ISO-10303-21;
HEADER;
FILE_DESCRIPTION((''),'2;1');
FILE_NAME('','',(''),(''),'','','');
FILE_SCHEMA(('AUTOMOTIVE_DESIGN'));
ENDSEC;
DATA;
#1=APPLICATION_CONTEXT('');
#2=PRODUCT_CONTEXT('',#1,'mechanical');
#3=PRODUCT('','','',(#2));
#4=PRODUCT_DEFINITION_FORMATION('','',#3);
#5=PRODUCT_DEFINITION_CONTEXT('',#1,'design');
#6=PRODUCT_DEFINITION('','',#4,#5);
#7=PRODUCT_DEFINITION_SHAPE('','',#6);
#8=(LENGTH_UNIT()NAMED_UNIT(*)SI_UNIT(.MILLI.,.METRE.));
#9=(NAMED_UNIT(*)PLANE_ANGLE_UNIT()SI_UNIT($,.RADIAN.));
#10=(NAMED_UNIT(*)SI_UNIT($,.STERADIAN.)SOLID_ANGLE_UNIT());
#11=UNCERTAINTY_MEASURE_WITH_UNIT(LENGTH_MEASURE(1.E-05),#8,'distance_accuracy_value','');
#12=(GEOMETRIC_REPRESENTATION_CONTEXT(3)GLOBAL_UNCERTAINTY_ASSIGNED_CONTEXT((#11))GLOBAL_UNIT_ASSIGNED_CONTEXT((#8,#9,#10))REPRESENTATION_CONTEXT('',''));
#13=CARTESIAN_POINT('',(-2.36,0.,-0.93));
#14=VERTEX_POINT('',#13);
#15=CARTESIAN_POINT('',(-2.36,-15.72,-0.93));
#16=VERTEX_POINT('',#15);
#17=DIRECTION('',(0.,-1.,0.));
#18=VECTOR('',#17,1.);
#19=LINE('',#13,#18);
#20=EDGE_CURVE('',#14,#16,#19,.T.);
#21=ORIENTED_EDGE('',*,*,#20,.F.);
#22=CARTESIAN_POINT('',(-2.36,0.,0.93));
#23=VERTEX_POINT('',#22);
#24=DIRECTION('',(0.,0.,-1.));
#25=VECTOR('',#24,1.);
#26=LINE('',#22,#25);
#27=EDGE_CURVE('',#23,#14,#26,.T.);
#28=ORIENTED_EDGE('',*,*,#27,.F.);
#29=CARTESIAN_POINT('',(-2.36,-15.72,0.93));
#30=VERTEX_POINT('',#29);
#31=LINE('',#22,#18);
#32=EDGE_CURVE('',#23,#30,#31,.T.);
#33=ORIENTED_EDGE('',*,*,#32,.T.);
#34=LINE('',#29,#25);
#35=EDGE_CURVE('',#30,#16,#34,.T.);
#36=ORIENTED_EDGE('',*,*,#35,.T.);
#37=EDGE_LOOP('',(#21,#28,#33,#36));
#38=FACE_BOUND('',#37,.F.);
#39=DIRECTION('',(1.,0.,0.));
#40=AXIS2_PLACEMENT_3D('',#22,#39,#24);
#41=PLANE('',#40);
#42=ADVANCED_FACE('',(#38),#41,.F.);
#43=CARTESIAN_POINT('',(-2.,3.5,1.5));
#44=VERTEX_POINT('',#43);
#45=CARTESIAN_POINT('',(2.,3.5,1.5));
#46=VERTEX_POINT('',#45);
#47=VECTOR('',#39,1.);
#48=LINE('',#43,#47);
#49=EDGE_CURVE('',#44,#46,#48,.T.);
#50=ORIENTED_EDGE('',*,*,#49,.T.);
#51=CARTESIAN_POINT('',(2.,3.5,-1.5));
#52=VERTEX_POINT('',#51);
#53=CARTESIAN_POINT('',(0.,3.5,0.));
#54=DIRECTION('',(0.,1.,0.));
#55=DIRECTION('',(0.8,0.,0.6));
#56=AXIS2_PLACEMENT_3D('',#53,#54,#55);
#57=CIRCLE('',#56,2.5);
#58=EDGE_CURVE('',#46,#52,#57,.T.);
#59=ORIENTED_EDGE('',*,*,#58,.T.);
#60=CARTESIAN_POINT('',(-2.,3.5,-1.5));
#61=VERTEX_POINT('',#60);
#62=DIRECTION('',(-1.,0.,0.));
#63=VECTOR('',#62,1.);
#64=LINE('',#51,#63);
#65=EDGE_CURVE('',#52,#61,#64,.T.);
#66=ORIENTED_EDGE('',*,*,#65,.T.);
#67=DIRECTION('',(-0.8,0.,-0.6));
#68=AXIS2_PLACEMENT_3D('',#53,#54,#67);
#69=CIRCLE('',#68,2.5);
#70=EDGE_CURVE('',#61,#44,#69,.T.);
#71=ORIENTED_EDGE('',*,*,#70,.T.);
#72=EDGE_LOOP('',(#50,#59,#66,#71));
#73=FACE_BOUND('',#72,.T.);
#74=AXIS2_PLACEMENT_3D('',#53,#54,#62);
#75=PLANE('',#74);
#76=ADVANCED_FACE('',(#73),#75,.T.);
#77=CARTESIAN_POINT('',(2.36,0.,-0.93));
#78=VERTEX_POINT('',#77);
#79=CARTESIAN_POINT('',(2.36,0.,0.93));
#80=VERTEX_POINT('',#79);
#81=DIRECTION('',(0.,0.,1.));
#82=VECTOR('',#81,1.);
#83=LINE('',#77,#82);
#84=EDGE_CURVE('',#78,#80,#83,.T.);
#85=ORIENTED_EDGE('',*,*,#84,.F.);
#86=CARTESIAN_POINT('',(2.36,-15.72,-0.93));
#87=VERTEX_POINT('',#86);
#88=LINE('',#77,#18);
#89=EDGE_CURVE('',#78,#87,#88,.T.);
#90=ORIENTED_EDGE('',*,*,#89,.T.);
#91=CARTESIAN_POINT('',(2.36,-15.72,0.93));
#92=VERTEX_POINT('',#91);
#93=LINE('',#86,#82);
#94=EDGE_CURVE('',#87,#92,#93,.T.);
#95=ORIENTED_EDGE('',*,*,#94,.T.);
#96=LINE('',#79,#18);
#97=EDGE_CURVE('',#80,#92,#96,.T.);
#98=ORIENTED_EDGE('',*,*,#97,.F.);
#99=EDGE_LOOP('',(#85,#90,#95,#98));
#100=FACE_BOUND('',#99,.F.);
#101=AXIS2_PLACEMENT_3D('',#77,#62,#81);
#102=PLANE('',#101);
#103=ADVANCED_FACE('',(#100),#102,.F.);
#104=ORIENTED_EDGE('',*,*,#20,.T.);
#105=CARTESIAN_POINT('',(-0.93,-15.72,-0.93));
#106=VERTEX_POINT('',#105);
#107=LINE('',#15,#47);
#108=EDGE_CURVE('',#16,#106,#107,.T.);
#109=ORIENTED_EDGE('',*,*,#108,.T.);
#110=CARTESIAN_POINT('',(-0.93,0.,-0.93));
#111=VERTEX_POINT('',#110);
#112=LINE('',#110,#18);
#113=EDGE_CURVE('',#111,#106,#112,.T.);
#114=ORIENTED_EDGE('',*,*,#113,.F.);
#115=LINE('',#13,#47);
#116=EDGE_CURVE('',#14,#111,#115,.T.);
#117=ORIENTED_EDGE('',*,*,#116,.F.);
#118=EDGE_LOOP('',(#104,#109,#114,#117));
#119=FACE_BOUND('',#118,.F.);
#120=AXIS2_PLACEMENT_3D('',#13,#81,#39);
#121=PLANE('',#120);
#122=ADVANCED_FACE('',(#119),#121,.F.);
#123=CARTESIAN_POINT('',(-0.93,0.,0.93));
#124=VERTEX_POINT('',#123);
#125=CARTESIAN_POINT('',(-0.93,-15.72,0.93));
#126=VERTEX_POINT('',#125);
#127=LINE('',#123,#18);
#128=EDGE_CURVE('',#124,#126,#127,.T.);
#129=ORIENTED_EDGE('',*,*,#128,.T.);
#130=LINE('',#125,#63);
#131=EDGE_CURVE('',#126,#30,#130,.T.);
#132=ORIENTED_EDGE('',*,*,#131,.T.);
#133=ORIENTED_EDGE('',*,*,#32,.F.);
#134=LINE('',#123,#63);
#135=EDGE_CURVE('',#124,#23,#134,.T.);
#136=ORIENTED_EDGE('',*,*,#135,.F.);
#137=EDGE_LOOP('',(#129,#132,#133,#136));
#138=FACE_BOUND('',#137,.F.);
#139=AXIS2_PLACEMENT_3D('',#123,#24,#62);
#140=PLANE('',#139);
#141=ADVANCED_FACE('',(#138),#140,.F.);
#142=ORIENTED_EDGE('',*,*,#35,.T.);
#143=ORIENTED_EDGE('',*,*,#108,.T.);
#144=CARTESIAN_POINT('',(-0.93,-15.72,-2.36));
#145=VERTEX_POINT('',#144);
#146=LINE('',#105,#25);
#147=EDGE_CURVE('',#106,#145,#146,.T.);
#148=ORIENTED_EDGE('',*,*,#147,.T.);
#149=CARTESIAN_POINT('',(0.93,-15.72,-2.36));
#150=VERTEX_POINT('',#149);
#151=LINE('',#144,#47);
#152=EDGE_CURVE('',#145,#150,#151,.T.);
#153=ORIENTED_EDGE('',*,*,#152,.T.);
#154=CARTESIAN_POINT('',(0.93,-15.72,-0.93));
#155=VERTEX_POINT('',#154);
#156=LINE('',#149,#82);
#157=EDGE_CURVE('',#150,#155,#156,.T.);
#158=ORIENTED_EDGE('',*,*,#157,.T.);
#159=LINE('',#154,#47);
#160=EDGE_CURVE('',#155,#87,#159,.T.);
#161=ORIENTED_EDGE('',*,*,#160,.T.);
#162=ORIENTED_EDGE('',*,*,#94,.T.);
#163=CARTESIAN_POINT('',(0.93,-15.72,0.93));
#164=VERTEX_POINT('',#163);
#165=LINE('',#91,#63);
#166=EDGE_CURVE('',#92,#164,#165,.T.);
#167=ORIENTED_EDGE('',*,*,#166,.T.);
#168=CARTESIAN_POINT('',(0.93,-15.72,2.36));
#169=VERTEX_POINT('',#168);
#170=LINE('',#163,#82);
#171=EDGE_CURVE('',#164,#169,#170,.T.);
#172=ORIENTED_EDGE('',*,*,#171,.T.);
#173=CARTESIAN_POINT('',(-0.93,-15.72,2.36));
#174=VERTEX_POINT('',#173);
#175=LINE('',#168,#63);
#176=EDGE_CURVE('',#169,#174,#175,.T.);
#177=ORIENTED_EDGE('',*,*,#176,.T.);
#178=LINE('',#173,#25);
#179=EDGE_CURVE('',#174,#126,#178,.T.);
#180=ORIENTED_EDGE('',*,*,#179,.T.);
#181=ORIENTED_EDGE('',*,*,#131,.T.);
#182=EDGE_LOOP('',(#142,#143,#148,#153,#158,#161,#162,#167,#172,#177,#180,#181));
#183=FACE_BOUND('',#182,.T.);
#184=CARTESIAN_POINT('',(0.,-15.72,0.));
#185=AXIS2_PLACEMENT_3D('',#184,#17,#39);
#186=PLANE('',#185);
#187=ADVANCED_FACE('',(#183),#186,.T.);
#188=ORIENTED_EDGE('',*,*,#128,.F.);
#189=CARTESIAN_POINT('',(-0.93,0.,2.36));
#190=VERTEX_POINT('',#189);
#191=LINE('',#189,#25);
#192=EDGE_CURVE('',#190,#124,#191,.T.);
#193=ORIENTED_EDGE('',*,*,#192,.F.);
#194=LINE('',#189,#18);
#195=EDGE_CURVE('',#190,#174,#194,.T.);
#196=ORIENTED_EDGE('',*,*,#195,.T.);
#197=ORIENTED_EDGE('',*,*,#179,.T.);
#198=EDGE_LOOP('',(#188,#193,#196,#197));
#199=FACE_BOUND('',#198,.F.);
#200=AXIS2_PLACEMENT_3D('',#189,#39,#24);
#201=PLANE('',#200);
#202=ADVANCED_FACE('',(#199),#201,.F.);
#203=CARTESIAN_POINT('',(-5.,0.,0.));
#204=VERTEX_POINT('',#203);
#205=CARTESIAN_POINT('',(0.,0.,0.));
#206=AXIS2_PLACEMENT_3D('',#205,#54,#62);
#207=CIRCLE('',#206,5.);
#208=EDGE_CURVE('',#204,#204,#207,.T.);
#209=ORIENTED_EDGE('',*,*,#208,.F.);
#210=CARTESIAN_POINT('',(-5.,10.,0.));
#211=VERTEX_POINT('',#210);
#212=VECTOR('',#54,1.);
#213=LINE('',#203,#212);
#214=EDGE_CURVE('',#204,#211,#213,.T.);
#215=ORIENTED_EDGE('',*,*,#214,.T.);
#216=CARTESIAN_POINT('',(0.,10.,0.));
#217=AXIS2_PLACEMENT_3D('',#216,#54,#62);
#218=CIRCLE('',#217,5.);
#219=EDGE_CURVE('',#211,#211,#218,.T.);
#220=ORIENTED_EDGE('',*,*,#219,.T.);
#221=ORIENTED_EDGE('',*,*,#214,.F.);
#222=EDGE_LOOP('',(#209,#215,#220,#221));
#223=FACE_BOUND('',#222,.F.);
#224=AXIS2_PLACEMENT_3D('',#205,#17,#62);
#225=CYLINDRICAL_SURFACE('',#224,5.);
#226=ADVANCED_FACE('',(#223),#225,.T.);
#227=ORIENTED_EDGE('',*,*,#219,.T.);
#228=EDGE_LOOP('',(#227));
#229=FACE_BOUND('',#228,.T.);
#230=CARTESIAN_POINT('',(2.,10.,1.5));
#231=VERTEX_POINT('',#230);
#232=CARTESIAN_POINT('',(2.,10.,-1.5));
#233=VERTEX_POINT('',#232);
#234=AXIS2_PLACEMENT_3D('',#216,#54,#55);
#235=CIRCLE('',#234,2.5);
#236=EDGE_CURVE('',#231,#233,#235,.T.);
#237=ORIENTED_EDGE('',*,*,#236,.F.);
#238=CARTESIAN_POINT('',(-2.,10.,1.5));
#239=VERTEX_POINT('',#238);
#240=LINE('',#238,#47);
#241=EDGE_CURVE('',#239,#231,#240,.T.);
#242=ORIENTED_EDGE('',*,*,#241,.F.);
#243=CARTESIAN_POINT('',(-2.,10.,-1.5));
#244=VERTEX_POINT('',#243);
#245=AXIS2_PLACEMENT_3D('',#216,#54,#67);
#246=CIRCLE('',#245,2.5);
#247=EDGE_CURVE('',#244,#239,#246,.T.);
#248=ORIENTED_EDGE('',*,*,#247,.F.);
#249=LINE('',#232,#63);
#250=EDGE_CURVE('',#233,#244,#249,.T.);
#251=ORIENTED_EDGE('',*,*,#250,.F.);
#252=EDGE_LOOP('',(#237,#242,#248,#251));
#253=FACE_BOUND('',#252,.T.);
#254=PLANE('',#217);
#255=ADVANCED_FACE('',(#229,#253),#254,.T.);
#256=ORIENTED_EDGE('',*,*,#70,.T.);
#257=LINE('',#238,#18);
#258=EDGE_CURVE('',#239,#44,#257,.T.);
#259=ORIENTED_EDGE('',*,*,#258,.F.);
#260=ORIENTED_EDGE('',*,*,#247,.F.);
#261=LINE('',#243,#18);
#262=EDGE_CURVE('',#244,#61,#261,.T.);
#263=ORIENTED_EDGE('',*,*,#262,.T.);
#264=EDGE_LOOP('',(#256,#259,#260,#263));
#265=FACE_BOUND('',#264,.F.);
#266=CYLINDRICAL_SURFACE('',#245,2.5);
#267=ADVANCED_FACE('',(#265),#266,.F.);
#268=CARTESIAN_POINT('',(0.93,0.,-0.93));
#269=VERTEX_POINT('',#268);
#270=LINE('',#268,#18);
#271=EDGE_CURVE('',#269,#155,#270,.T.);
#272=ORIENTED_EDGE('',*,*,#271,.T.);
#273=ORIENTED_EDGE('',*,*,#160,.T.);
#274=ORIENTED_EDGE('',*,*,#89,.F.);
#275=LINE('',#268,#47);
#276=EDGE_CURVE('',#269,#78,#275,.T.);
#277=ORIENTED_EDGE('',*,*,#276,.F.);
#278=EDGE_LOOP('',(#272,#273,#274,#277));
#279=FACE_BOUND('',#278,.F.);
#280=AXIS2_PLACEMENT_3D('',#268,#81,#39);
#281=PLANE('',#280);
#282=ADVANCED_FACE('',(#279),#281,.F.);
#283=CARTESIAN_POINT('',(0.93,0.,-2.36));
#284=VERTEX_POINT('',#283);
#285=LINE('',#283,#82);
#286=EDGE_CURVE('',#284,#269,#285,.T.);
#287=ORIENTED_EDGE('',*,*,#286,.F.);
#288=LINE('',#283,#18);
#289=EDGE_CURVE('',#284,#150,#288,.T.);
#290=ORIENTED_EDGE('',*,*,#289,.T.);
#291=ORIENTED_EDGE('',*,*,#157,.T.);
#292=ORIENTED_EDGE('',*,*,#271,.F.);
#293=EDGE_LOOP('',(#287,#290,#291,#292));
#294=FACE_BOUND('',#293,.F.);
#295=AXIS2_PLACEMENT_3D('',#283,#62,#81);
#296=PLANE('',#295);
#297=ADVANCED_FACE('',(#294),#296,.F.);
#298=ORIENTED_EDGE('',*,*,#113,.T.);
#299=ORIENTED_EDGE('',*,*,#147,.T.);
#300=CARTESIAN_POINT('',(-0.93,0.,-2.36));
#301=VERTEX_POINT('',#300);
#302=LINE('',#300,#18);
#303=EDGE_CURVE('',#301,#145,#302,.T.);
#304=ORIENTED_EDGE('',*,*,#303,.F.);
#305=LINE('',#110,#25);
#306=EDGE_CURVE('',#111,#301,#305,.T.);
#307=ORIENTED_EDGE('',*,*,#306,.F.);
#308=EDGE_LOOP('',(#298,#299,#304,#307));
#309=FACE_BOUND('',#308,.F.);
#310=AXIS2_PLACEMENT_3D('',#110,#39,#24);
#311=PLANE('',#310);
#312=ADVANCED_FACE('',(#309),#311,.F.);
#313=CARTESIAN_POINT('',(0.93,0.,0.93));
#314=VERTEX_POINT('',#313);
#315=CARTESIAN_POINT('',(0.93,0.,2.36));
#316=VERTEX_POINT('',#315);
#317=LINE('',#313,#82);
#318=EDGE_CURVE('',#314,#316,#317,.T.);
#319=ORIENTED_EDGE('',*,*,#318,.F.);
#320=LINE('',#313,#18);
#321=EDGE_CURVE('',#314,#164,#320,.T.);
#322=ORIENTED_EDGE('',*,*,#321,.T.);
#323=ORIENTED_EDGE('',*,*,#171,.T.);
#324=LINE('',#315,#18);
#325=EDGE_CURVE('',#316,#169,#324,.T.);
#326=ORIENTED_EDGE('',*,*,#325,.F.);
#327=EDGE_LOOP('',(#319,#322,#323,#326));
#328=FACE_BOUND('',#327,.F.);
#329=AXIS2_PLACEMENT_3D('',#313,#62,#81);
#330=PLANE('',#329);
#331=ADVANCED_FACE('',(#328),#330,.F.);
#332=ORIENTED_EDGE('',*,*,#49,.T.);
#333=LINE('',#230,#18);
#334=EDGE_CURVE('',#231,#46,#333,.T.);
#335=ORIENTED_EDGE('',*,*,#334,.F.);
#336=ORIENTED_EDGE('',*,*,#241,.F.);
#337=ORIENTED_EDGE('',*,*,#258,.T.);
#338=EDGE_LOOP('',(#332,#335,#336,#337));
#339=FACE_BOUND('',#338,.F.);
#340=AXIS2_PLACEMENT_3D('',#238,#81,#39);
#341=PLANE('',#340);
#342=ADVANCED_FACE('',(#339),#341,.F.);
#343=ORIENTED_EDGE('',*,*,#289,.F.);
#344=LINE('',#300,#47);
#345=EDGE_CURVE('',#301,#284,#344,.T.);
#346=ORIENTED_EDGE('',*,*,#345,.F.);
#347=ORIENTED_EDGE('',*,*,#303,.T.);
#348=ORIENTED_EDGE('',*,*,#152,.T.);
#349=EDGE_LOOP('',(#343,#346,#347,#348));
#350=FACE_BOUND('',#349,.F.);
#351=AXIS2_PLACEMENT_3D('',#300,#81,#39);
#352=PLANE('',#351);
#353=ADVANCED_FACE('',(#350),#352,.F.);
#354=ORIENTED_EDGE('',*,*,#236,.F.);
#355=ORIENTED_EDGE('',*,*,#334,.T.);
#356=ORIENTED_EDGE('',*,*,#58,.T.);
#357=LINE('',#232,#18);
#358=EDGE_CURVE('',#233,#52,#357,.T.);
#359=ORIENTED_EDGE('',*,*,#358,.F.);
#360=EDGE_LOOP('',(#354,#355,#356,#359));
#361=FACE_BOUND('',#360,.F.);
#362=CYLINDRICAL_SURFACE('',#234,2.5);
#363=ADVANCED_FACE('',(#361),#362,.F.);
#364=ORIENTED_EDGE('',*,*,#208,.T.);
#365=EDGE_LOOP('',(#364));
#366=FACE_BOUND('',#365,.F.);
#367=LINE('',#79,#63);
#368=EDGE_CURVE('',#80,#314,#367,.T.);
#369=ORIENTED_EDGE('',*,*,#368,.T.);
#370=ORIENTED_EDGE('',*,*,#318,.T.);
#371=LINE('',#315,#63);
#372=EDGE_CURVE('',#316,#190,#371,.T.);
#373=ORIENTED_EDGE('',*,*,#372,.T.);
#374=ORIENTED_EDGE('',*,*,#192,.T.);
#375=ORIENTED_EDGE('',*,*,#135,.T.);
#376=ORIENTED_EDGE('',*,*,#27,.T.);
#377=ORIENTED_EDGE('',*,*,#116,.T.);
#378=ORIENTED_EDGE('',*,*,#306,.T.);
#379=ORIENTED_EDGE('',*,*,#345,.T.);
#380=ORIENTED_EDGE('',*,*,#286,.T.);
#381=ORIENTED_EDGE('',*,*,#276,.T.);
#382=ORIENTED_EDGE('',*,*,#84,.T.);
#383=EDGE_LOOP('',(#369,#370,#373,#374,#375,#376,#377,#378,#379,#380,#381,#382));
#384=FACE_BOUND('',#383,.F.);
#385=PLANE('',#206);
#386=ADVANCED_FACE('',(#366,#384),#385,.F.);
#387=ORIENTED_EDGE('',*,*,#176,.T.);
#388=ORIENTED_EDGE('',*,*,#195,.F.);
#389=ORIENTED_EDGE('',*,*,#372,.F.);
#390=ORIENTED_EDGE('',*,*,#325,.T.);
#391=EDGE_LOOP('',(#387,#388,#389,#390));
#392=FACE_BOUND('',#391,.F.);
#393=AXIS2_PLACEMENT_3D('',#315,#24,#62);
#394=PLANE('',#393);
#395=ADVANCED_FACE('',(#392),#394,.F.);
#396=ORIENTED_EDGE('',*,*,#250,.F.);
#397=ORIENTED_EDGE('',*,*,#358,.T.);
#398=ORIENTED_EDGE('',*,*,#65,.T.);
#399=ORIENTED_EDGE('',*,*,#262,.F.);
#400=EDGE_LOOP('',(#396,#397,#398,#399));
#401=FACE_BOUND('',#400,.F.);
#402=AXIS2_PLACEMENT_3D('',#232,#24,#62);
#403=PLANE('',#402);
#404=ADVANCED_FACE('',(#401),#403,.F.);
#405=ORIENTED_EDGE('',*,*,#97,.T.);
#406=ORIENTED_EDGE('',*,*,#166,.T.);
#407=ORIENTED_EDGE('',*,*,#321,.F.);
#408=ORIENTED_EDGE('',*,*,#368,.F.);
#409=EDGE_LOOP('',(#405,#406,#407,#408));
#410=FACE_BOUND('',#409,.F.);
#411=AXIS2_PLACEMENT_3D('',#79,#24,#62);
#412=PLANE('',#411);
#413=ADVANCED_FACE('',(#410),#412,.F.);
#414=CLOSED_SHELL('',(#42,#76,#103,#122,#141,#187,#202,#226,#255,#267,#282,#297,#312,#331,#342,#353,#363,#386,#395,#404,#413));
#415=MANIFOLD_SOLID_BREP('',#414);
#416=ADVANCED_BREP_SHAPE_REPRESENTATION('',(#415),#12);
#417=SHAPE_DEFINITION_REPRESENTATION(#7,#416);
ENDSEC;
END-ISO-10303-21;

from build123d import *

# Parameters (mm, degrees)
F1_DEPTH = 15.72
F2_R     = 5
F3_DEPTH = 10
F5_DEPTH = 6.5


with BuildPart() as f1:
    # F0 (on Front) → F1 (new body)
    with BuildSketch(Plane.XZ):
        Polygon((0.93, 0.93), (0.93, 2.36), (-0.93, 2.36), (-0.93, 0.93), (-2.36, 0.93), (-2.36, -0.93), (-0.93, -0.93), (-0.93, -2.36), (0.93, -2.36), (0.93, -0.93), (2.36, -0.93), (2.36, 0.93), align=None)
    extrude(amount=F1_DEPTH)

    # F2 (on face) → F3 (join)
    with BuildSketch(Plane(origin=(0, 0, 0), x_dir=(-1, 0, 0), z_dir=(0, 1, 0))):
        Circle(F2_R)
    extrude(amount=F3_DEPTH)

    # F4 (on face) → F5 (cut)
    with BuildSketch(Plane(origin=(0, 10, 0), x_dir=(-1, 0, 0), z_dir=(0, 1, 0))):
        with BuildLine():
            ThreePointArc((2, -1.5), (2.5, 0), (2, 1.5))
            Line((2, 1.5), (-2, 1.5))
            ThreePointArc((-2, 1.5), (-2.5, 0), (-2, -1.5))
            Line((-2, -1.5), (2, -1.5))
        make_face()
    extrude(amount=-F5_DEPTH, mode=Mode.SUBTRACT)


solid = f1.part
